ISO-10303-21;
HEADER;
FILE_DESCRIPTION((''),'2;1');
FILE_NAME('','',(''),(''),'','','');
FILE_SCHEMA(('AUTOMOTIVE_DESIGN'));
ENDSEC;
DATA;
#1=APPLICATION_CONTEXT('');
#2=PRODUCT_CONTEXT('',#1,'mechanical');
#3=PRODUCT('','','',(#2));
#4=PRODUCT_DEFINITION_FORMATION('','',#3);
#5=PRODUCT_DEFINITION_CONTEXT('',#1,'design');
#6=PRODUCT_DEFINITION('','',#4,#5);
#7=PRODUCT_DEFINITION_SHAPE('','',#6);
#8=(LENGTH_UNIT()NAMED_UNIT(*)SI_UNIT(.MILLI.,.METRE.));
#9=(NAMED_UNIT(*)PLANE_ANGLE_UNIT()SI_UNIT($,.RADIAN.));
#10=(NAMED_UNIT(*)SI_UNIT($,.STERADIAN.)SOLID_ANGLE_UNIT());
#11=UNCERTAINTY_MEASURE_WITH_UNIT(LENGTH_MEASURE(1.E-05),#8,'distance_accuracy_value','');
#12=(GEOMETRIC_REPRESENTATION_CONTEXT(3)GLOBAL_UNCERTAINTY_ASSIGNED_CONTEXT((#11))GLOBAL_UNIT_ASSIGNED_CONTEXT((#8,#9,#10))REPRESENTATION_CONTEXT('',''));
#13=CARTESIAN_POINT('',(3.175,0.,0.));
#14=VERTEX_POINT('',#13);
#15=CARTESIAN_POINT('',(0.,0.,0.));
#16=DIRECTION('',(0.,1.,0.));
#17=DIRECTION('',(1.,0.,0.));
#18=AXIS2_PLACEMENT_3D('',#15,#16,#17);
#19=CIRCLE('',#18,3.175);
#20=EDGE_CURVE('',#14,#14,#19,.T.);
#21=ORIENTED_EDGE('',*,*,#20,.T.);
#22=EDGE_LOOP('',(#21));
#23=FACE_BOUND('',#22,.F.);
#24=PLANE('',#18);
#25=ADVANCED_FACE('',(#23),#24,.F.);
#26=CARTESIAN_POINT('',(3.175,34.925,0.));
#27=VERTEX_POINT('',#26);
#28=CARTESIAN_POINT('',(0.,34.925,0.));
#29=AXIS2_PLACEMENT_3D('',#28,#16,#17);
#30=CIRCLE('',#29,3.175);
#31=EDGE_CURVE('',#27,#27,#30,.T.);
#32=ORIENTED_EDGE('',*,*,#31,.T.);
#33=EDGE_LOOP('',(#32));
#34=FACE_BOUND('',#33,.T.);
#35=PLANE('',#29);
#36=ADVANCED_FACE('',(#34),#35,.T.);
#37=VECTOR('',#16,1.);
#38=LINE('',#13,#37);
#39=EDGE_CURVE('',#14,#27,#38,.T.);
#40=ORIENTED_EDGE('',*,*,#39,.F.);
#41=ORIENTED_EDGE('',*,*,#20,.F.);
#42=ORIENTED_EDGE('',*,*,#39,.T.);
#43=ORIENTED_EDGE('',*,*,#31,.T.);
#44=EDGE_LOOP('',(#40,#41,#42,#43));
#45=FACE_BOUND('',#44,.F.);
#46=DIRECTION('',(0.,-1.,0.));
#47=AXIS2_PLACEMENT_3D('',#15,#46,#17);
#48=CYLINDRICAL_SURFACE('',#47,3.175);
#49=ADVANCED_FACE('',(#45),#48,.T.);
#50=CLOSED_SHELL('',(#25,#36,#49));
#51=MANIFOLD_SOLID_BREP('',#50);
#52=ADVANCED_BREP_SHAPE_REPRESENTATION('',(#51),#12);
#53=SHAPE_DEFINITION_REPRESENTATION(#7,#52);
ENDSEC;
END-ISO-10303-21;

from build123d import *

# Parameters (mm, degrees)
SKETCH1_R           = 3.175
BOSS_EXTRUDE1_DEPTH = 34.925


with BuildPart() as part:
    # Sketch1 → Boss-Extrude1 (new body)
    with BuildSketch(Plane(origin=(0, 0, 0), x_dir=(1, 0, 0), z_dir=(0, 1, 0))):
        Circle(SKETCH1_R)
    extrude(amount=BOSS_EXTRUDE1_DEPTH)


solid = part.part
